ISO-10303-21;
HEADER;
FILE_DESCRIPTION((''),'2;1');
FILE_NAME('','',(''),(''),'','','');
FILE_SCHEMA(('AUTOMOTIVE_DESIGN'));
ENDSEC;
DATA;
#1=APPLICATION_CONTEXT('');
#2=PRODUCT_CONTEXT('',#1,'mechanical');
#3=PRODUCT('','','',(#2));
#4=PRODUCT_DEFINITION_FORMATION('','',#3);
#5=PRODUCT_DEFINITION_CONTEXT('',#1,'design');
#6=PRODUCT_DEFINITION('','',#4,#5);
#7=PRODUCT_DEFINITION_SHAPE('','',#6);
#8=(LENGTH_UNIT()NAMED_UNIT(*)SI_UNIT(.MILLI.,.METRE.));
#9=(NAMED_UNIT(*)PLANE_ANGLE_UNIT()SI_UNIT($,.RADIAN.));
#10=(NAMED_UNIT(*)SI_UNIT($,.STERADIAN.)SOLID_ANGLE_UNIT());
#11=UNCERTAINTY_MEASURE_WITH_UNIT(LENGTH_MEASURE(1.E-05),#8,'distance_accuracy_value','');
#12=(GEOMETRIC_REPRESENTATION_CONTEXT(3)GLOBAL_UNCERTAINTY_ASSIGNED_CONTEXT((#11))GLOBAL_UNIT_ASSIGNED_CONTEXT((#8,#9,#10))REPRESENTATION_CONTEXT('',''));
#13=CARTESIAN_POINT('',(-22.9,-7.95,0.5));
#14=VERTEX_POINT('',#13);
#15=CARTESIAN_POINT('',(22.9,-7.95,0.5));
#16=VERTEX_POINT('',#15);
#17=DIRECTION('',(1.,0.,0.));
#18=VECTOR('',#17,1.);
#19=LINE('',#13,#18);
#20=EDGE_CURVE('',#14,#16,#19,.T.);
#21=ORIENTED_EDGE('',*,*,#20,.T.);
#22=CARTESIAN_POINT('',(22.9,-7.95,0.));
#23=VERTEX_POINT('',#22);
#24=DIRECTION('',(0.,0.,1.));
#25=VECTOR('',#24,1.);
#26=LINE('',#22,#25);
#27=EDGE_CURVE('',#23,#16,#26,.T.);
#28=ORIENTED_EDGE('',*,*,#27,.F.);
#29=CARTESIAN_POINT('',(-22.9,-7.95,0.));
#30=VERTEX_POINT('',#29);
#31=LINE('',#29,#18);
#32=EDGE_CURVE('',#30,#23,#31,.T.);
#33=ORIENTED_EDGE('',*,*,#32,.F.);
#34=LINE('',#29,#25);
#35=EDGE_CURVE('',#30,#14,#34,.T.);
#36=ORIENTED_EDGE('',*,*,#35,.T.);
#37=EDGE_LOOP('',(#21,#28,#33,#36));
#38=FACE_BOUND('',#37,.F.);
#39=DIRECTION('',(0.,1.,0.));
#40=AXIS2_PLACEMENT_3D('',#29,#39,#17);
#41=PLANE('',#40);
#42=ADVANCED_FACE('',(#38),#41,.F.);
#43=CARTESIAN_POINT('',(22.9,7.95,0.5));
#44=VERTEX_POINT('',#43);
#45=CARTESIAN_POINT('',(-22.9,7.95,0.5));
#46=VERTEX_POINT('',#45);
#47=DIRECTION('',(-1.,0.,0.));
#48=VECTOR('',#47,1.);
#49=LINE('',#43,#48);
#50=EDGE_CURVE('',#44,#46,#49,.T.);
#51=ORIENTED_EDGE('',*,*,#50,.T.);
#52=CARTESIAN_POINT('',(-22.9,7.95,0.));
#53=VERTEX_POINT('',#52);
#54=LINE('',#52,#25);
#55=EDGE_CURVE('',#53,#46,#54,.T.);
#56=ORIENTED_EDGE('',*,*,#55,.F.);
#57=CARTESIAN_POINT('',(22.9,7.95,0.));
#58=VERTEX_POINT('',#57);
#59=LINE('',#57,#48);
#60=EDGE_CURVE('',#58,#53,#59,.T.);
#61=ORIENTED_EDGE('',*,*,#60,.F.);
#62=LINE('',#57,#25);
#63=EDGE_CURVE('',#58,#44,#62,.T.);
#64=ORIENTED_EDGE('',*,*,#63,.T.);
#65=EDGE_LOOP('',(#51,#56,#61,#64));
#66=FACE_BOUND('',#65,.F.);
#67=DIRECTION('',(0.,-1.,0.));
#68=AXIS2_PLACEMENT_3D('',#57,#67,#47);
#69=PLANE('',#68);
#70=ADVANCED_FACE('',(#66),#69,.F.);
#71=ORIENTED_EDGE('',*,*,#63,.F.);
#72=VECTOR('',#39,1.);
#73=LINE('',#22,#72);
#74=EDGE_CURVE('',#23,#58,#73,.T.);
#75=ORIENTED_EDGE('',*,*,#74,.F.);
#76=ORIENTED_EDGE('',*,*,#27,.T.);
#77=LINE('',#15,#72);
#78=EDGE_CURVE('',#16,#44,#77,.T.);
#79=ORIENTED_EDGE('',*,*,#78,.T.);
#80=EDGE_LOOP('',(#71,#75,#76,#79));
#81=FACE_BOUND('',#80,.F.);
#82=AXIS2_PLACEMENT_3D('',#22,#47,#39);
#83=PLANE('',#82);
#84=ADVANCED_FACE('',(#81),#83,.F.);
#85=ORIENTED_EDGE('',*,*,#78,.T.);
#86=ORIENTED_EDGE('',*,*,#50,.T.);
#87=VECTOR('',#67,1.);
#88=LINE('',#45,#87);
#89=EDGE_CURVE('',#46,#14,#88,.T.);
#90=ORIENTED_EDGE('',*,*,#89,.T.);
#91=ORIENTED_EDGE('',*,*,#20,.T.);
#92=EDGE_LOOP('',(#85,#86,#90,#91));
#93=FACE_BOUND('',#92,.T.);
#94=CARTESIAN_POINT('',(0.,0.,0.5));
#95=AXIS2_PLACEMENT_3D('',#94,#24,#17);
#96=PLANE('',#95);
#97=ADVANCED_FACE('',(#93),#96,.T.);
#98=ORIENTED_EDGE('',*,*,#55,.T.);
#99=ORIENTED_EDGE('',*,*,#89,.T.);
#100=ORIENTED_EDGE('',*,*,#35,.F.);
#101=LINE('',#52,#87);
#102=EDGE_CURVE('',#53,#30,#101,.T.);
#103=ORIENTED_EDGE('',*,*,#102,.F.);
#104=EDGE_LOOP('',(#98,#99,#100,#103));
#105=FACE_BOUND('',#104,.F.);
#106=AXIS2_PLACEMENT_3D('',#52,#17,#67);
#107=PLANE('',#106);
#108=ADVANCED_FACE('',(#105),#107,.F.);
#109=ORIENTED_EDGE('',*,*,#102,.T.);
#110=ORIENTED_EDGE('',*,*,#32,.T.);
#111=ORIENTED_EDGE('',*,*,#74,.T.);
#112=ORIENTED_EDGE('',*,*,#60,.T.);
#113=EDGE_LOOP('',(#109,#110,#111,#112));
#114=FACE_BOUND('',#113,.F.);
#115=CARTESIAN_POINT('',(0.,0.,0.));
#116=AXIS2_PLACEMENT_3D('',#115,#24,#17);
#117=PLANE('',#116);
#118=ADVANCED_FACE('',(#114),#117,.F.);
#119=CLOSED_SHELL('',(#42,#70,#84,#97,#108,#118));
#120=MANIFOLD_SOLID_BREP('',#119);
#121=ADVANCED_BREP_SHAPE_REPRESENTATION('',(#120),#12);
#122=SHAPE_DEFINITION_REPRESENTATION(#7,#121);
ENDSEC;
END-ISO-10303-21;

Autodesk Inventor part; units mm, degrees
ref_plane "YZ Plane" through (0, 0, 0) normal (1, 0, 0) x (0, 1, 0)
ref_plane "XZ Plane" through (0, 0, 0) normal (0, 1, 0) x (-1, 0, 0)
ref_plane "XY Plane" through (0, 0, 0) normal (0, 0, 1) x (1, 0, 0)
sketch "Sketch1" plane through (0, 0, 0) normal (0, 0, 1) x (1, 0, 0)
  line L0 (-22.9, -7.95) -> (22.9, -7.95)
  line L1 (22.9, -7.95) -> (22.9, 7.95)
  line L2 (22.9, 7.95) -> (-22.9, 7.95)
  line L3 (-22.9, 7.95) -> (-22.9, -7.95)
  line L4 (-22.9, -7.95) -> (22.9, 7.95) construction
  line L5 (22.9, -7.95) -> (-22.9, 7.95) construction
  point P0 (0, 0)
  dimension "d0" = 45.8
  dimension "d1" = 15.9
extrude "Plate1" add sketch "Sketch1" along normal blind 0.5
equation "\"d2\" = Thickness"
equation "\"BendRadius\" = Thickness"
equation "\"BendReliefWidth\" = Thickness"
equation "\"BendReliefDepth\" = 0.5 * Thickness"
equation "\"CornerReliefSize\" = 4 * Thickness"
equation "\"MinimumRemnant\" = 2 * Thickness"
equation "\"TransitionRadius\" = BendRadius"
equation "\"JacobiRadiusSize\" = BendRadius"
equation "\"GapSize\" = Thickness"
equation "\"Thickness\" = 0.5"
properties part number "20 bakje tussenstukje"
